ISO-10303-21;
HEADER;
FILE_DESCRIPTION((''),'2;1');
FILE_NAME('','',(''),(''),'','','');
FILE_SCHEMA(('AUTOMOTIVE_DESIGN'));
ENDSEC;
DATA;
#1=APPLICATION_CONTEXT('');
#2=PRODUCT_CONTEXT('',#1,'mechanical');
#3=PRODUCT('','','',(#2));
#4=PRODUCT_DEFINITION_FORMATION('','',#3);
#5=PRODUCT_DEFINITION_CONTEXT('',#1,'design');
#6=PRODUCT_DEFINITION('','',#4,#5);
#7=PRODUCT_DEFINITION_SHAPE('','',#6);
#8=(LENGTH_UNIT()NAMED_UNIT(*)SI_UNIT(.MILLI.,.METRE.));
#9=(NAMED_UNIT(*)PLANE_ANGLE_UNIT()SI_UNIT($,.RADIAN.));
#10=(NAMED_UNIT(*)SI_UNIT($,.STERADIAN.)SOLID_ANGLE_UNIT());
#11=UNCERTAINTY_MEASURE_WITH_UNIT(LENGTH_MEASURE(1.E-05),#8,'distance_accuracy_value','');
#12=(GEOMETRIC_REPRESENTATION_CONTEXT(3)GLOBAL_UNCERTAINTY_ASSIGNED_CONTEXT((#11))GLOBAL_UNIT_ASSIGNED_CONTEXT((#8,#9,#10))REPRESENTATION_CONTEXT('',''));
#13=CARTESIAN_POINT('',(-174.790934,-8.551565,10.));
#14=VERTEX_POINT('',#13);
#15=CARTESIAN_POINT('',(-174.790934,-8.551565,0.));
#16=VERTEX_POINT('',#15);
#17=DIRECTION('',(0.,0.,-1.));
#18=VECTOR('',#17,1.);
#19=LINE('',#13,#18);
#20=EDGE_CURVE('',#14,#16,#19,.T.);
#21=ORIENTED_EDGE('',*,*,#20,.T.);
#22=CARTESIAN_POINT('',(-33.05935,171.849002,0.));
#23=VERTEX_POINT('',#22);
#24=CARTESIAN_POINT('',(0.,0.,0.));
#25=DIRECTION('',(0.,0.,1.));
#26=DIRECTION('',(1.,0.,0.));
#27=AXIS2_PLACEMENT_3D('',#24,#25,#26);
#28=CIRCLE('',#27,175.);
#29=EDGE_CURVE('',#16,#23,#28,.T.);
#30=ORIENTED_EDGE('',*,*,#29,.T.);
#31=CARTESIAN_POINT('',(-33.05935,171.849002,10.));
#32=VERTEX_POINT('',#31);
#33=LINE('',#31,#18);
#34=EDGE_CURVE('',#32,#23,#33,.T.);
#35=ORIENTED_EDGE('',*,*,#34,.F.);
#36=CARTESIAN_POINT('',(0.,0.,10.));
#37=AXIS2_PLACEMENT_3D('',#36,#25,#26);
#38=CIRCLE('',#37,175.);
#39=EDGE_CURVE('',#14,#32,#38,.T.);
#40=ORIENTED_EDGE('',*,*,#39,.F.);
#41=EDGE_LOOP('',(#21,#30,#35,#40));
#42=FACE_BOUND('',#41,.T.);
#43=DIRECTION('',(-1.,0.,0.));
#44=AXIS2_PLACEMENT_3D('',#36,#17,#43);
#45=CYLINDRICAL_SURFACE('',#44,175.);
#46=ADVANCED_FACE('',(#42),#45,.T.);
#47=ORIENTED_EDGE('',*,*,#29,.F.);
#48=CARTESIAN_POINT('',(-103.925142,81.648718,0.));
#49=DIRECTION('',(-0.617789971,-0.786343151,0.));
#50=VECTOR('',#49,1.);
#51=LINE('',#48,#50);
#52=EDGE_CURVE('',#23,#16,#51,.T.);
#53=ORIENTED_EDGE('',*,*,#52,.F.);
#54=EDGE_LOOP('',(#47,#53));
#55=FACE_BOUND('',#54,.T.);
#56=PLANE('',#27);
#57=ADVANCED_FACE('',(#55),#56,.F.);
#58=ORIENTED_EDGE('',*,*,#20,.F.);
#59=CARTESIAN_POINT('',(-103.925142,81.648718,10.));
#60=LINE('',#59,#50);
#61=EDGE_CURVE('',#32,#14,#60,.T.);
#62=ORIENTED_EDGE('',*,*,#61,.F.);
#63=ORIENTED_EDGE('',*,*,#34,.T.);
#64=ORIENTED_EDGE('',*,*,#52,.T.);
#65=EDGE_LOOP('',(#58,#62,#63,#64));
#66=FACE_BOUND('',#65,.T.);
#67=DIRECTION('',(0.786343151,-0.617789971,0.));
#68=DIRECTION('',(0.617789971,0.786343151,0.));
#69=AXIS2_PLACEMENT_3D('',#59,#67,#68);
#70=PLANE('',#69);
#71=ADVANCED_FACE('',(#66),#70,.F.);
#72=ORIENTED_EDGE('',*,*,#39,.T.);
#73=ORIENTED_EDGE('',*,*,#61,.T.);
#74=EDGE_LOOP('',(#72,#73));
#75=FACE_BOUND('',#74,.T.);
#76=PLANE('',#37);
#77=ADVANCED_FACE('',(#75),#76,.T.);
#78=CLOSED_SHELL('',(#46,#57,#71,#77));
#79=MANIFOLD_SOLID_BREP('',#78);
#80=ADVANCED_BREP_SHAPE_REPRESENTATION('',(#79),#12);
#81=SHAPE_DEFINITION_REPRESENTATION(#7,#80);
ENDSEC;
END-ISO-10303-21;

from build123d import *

# Parameters (mm, degrees)
BOSS_EXTRUDE1_DEPTH = 10


with BuildPart() as part:
    # Sketch2 → Boss-Extrude1 (new body)
    with BuildSketch(Plane.XY):
        with BuildLine():
            ThreePointArc((175, 0), (111.44418733, 134.926621207), (-33.059349831, 171.84900171))
            Line((-33.059349831, 171.84900171), (-174.790934379, -8.551564713))
            ThreePointArc((-174.790934379, -8.551564713), (4.277059956, -174.947725787), (175, 0))
        make_face()
    extrude(amount=BOSS_EXTRUDE1_DEPTH)


solid = part.part
